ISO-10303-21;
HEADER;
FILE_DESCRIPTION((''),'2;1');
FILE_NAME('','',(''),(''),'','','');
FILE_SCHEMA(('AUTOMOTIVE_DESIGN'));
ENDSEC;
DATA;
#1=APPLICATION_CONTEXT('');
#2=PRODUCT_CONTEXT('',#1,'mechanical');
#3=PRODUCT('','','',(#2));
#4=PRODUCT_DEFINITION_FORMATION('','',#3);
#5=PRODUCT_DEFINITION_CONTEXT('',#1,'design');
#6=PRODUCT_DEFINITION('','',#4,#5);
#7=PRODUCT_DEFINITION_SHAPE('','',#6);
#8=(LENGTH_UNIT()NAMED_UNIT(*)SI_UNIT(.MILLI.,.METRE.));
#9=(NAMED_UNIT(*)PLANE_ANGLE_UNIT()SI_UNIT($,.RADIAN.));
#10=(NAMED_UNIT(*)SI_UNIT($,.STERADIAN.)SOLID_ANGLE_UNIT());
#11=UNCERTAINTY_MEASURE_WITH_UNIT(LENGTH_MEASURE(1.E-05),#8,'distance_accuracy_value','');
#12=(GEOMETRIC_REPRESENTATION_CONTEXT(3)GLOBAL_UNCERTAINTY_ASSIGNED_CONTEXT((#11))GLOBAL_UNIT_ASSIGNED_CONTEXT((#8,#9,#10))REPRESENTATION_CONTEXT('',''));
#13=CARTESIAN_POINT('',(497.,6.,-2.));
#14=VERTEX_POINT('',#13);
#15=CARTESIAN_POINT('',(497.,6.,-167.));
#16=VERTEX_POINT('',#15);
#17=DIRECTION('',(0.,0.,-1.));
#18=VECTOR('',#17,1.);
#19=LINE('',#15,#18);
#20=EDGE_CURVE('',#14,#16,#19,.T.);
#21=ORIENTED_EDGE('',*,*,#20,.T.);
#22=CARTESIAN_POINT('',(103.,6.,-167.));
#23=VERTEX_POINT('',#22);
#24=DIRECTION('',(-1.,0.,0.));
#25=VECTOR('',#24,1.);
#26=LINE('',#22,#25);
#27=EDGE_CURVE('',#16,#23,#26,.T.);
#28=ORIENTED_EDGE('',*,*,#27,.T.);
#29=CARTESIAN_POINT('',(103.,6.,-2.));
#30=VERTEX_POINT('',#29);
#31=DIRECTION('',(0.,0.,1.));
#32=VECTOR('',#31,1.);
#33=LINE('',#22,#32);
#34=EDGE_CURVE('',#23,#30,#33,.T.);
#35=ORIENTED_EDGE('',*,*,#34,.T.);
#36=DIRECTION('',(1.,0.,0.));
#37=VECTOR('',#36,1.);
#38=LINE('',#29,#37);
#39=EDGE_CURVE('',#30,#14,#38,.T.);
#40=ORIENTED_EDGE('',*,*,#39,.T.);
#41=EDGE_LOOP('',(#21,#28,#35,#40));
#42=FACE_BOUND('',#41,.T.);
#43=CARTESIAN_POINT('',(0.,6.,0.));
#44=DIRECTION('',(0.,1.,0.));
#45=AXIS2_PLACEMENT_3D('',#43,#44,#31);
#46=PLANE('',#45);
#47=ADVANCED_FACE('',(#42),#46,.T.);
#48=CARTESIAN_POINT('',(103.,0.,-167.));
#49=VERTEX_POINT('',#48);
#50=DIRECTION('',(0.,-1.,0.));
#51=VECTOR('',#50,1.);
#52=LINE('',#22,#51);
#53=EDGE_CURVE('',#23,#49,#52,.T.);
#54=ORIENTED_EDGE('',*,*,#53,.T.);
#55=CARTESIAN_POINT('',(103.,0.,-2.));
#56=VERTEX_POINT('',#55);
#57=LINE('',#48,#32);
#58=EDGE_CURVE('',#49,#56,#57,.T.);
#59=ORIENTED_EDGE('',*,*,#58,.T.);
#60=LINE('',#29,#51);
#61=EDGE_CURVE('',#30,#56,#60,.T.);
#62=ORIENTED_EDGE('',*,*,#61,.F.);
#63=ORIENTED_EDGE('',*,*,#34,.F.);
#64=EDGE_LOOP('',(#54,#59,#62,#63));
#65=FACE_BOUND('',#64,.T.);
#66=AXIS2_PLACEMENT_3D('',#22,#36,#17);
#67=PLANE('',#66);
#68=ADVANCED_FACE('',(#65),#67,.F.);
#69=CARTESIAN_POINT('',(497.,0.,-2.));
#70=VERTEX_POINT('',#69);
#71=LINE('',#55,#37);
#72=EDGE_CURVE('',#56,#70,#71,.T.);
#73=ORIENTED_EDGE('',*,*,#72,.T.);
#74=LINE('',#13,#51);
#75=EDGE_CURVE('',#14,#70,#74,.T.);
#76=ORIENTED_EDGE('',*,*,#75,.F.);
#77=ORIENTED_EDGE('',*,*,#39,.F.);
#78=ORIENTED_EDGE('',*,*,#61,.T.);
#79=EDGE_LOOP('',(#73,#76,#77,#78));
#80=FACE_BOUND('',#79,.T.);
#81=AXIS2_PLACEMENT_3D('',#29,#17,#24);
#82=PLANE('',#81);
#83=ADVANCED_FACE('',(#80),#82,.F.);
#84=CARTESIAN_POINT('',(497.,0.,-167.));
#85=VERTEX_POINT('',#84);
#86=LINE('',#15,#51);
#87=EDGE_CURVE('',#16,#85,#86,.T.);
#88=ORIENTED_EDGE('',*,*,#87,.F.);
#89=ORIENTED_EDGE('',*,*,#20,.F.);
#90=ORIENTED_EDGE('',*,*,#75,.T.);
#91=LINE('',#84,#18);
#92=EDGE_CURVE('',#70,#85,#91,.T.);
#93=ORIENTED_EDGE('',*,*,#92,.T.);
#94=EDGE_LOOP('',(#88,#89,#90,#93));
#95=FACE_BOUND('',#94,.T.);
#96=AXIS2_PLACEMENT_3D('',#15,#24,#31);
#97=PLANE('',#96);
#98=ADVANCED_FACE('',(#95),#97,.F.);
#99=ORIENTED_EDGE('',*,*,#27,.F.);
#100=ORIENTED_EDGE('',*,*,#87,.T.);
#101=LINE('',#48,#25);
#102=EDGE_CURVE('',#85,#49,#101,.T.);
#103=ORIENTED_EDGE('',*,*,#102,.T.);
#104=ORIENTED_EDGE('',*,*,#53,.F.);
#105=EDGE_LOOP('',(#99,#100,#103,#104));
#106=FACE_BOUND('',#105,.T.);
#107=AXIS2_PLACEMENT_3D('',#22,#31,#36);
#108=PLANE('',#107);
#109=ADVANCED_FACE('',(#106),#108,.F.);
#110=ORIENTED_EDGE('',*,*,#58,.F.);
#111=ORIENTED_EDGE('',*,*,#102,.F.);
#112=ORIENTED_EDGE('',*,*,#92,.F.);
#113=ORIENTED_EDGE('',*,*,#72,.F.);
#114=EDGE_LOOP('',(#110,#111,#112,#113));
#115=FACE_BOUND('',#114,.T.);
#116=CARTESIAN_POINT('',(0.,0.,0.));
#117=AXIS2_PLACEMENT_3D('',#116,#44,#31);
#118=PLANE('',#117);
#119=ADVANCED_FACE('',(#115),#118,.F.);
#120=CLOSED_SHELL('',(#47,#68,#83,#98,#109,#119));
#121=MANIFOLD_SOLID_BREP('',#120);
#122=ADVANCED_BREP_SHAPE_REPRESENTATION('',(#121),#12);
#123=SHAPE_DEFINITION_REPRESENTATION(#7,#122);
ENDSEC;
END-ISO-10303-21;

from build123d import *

# Parameters (mm, degrees)
SKETCH_1_W      = 394
SKETCH_1_H      = 165
EXTRUDE_1_DEPTH = 6


with BuildPart() as part:
    # Эскиз1 → Бобышка-Вытянуть1 (new body)
    with BuildSketch(Plane(origin=(0, 0, 0), x_dir=(1, 0, 0), z_dir=(0, 1, 0))):
        with Locations((300, 84.5)):
            Rectangle(SKETCH_1_W, SKETCH_1_H)
    extrude(amount=EXTRUDE_1_DEPTH)


solid = part.part
